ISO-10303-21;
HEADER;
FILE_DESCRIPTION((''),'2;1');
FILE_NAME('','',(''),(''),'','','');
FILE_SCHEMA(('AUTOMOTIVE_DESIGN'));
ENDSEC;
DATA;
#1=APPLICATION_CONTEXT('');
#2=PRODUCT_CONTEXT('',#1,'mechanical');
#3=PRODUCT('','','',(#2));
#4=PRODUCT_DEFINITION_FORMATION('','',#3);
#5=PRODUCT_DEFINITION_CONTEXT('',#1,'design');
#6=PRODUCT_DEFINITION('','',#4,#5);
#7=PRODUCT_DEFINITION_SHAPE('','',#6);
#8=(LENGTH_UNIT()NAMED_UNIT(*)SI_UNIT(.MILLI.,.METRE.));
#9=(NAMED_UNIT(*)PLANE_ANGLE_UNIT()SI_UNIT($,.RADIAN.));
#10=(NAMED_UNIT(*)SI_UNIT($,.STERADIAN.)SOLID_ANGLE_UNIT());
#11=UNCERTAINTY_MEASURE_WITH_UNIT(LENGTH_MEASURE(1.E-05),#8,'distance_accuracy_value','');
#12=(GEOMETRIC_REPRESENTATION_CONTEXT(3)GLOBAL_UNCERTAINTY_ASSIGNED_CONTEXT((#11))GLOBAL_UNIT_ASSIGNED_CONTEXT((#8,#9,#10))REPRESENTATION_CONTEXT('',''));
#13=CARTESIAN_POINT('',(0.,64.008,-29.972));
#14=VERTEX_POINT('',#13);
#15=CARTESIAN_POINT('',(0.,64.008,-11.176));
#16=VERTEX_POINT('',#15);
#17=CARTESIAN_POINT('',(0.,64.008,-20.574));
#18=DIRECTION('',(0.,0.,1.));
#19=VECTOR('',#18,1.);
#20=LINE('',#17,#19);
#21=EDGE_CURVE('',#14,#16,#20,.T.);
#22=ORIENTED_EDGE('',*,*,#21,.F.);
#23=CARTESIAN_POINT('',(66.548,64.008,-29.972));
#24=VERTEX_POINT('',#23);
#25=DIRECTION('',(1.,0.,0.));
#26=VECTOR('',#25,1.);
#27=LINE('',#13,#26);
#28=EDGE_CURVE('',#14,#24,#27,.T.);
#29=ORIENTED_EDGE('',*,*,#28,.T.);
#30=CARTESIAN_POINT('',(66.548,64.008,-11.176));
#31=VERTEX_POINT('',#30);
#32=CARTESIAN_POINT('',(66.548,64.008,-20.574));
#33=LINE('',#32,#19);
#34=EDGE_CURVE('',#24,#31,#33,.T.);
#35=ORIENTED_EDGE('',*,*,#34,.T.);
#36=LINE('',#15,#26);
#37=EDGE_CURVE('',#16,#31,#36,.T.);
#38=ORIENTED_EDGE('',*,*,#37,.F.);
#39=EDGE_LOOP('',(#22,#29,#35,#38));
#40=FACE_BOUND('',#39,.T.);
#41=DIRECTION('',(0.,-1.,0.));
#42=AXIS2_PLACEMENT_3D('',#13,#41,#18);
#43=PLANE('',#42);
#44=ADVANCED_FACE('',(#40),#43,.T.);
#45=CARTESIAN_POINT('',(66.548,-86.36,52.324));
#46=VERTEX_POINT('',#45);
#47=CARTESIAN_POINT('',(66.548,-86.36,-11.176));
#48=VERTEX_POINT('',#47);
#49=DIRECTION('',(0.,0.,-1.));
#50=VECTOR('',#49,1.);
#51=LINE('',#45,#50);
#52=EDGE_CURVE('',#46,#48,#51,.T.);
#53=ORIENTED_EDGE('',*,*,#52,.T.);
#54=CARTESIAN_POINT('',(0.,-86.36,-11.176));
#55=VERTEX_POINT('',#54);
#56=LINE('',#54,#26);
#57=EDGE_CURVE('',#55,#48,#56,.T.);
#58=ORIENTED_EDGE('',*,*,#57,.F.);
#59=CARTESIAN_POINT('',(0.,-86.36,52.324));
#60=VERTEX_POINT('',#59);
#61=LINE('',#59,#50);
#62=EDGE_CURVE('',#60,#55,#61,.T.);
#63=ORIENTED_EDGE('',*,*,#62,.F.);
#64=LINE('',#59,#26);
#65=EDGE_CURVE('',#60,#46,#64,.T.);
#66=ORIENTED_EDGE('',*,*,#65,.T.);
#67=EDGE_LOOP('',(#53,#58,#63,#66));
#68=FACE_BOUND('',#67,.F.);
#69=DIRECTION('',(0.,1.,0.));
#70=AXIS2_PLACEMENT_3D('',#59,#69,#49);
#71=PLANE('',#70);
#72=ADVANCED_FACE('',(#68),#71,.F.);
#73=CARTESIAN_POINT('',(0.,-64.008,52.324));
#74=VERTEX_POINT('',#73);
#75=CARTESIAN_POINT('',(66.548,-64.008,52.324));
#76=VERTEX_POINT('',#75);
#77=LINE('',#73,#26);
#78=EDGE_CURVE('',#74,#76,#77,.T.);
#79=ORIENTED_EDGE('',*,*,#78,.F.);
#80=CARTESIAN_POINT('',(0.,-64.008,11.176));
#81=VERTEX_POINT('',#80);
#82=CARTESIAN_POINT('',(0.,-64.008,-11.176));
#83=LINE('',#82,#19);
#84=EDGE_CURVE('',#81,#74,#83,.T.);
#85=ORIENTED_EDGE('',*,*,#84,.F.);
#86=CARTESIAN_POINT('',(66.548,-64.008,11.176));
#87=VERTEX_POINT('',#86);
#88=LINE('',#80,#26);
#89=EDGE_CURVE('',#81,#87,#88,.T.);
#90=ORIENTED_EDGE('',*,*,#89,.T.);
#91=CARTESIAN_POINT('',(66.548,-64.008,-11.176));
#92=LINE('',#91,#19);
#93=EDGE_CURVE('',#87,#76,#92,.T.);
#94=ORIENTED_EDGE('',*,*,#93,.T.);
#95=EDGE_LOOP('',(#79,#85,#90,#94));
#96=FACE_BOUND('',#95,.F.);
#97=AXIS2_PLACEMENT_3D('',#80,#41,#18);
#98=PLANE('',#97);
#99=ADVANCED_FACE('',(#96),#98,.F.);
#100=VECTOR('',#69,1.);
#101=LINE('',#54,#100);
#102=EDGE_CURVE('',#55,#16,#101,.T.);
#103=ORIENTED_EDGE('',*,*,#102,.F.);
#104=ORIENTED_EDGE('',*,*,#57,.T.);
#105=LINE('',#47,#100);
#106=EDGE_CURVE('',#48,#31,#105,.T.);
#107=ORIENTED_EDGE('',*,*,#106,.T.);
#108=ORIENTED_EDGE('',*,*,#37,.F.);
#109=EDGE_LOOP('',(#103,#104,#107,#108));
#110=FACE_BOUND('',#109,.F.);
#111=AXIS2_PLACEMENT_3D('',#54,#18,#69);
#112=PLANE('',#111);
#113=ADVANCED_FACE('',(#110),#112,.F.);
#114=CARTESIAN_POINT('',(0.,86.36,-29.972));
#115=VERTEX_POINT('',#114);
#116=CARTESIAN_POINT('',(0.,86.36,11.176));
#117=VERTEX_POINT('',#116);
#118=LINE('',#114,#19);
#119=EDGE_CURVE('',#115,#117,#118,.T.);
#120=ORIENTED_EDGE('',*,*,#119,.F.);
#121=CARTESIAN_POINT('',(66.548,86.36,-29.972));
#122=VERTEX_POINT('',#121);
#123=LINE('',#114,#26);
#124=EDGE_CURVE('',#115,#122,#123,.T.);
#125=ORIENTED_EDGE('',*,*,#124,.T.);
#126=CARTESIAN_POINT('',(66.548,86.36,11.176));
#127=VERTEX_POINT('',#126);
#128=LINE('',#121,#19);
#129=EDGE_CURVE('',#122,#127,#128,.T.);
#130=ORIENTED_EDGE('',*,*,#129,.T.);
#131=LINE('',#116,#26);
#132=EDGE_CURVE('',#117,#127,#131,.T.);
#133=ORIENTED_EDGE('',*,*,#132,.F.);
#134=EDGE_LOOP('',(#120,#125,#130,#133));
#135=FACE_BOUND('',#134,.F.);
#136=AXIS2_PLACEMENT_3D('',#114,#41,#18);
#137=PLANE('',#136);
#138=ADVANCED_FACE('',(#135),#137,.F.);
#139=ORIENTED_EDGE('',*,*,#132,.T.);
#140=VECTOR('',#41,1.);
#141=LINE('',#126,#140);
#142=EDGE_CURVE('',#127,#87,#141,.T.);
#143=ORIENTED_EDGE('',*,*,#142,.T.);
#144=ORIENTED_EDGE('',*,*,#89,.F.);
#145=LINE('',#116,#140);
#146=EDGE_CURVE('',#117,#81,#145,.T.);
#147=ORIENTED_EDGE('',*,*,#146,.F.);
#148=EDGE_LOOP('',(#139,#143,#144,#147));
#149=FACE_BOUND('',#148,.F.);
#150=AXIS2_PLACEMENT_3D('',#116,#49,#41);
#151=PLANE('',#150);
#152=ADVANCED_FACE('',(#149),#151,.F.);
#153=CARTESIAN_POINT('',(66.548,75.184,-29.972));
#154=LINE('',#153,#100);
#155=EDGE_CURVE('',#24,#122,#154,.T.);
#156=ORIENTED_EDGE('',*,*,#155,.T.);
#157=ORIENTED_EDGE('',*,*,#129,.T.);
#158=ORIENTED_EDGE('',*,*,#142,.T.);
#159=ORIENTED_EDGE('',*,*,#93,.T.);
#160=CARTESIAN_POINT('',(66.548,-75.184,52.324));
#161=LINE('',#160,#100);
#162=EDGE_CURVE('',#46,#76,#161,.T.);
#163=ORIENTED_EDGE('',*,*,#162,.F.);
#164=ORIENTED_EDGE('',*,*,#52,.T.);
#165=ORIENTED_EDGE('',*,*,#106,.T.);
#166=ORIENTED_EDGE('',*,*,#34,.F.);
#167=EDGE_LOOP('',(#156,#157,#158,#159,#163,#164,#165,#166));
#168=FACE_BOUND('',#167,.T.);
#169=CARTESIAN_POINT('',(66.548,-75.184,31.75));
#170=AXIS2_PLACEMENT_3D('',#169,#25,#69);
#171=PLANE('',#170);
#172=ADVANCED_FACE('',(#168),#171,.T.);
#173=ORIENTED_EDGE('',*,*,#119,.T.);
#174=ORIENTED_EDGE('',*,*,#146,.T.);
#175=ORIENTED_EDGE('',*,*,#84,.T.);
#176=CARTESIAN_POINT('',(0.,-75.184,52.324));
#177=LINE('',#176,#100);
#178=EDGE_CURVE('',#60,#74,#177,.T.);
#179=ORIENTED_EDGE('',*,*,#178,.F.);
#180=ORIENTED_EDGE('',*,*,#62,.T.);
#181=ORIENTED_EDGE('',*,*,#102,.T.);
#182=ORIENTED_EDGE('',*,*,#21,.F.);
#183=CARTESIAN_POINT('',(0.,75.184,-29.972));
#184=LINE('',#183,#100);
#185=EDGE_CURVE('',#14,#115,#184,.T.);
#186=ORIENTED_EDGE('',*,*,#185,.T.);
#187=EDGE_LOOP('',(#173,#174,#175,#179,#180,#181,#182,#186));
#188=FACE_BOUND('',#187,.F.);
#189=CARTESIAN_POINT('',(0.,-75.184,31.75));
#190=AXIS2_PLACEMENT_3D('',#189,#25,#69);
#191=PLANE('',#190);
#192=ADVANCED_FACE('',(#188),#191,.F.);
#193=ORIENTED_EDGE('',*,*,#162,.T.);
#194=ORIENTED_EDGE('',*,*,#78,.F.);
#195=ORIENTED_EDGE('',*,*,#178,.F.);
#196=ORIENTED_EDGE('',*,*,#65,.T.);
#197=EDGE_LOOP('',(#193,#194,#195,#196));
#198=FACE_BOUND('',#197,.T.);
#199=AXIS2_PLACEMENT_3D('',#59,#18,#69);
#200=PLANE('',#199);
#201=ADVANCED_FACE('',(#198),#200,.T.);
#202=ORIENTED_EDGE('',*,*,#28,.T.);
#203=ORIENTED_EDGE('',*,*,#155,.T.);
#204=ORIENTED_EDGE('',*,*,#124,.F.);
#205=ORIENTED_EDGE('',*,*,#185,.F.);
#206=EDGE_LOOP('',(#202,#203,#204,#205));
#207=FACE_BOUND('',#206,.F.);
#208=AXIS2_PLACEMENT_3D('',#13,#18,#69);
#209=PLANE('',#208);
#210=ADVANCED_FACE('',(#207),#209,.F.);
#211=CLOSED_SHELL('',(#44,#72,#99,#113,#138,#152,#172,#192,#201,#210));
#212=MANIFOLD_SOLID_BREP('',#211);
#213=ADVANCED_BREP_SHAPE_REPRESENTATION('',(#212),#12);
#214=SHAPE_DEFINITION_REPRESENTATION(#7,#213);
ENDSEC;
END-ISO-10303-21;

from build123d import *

# Parameters (mm, degrees)
F0_W     = 22.352
F0_H     = 41.148
F0_H_2   = 22.352
F0_W_2   = 128.016
F0_H_3   = 18.796
F1_DEPTH = 66.548


with BuildPart() as f1:
    # F0 (on Right) → F1 (new body)
    with BuildSketch(Plane.YZ):
        with Locations((-75.184, 31.75)):
            Rectangle(F0_W, F0_H)
        with Locations((-75.184, 0)):
            Rectangle(F0_W, F0_H_2)
        Rectangle(F0_W_2, F0_H_2)
        with Locations((75.184, 0)):
            Rectangle(F0_W, F0_H_2)
        with Locations((75.184, -20.574)):
            Rectangle(F0_W, F0_H_3)
    extrude(amount=F1_DEPTH)


solid = f1.part
